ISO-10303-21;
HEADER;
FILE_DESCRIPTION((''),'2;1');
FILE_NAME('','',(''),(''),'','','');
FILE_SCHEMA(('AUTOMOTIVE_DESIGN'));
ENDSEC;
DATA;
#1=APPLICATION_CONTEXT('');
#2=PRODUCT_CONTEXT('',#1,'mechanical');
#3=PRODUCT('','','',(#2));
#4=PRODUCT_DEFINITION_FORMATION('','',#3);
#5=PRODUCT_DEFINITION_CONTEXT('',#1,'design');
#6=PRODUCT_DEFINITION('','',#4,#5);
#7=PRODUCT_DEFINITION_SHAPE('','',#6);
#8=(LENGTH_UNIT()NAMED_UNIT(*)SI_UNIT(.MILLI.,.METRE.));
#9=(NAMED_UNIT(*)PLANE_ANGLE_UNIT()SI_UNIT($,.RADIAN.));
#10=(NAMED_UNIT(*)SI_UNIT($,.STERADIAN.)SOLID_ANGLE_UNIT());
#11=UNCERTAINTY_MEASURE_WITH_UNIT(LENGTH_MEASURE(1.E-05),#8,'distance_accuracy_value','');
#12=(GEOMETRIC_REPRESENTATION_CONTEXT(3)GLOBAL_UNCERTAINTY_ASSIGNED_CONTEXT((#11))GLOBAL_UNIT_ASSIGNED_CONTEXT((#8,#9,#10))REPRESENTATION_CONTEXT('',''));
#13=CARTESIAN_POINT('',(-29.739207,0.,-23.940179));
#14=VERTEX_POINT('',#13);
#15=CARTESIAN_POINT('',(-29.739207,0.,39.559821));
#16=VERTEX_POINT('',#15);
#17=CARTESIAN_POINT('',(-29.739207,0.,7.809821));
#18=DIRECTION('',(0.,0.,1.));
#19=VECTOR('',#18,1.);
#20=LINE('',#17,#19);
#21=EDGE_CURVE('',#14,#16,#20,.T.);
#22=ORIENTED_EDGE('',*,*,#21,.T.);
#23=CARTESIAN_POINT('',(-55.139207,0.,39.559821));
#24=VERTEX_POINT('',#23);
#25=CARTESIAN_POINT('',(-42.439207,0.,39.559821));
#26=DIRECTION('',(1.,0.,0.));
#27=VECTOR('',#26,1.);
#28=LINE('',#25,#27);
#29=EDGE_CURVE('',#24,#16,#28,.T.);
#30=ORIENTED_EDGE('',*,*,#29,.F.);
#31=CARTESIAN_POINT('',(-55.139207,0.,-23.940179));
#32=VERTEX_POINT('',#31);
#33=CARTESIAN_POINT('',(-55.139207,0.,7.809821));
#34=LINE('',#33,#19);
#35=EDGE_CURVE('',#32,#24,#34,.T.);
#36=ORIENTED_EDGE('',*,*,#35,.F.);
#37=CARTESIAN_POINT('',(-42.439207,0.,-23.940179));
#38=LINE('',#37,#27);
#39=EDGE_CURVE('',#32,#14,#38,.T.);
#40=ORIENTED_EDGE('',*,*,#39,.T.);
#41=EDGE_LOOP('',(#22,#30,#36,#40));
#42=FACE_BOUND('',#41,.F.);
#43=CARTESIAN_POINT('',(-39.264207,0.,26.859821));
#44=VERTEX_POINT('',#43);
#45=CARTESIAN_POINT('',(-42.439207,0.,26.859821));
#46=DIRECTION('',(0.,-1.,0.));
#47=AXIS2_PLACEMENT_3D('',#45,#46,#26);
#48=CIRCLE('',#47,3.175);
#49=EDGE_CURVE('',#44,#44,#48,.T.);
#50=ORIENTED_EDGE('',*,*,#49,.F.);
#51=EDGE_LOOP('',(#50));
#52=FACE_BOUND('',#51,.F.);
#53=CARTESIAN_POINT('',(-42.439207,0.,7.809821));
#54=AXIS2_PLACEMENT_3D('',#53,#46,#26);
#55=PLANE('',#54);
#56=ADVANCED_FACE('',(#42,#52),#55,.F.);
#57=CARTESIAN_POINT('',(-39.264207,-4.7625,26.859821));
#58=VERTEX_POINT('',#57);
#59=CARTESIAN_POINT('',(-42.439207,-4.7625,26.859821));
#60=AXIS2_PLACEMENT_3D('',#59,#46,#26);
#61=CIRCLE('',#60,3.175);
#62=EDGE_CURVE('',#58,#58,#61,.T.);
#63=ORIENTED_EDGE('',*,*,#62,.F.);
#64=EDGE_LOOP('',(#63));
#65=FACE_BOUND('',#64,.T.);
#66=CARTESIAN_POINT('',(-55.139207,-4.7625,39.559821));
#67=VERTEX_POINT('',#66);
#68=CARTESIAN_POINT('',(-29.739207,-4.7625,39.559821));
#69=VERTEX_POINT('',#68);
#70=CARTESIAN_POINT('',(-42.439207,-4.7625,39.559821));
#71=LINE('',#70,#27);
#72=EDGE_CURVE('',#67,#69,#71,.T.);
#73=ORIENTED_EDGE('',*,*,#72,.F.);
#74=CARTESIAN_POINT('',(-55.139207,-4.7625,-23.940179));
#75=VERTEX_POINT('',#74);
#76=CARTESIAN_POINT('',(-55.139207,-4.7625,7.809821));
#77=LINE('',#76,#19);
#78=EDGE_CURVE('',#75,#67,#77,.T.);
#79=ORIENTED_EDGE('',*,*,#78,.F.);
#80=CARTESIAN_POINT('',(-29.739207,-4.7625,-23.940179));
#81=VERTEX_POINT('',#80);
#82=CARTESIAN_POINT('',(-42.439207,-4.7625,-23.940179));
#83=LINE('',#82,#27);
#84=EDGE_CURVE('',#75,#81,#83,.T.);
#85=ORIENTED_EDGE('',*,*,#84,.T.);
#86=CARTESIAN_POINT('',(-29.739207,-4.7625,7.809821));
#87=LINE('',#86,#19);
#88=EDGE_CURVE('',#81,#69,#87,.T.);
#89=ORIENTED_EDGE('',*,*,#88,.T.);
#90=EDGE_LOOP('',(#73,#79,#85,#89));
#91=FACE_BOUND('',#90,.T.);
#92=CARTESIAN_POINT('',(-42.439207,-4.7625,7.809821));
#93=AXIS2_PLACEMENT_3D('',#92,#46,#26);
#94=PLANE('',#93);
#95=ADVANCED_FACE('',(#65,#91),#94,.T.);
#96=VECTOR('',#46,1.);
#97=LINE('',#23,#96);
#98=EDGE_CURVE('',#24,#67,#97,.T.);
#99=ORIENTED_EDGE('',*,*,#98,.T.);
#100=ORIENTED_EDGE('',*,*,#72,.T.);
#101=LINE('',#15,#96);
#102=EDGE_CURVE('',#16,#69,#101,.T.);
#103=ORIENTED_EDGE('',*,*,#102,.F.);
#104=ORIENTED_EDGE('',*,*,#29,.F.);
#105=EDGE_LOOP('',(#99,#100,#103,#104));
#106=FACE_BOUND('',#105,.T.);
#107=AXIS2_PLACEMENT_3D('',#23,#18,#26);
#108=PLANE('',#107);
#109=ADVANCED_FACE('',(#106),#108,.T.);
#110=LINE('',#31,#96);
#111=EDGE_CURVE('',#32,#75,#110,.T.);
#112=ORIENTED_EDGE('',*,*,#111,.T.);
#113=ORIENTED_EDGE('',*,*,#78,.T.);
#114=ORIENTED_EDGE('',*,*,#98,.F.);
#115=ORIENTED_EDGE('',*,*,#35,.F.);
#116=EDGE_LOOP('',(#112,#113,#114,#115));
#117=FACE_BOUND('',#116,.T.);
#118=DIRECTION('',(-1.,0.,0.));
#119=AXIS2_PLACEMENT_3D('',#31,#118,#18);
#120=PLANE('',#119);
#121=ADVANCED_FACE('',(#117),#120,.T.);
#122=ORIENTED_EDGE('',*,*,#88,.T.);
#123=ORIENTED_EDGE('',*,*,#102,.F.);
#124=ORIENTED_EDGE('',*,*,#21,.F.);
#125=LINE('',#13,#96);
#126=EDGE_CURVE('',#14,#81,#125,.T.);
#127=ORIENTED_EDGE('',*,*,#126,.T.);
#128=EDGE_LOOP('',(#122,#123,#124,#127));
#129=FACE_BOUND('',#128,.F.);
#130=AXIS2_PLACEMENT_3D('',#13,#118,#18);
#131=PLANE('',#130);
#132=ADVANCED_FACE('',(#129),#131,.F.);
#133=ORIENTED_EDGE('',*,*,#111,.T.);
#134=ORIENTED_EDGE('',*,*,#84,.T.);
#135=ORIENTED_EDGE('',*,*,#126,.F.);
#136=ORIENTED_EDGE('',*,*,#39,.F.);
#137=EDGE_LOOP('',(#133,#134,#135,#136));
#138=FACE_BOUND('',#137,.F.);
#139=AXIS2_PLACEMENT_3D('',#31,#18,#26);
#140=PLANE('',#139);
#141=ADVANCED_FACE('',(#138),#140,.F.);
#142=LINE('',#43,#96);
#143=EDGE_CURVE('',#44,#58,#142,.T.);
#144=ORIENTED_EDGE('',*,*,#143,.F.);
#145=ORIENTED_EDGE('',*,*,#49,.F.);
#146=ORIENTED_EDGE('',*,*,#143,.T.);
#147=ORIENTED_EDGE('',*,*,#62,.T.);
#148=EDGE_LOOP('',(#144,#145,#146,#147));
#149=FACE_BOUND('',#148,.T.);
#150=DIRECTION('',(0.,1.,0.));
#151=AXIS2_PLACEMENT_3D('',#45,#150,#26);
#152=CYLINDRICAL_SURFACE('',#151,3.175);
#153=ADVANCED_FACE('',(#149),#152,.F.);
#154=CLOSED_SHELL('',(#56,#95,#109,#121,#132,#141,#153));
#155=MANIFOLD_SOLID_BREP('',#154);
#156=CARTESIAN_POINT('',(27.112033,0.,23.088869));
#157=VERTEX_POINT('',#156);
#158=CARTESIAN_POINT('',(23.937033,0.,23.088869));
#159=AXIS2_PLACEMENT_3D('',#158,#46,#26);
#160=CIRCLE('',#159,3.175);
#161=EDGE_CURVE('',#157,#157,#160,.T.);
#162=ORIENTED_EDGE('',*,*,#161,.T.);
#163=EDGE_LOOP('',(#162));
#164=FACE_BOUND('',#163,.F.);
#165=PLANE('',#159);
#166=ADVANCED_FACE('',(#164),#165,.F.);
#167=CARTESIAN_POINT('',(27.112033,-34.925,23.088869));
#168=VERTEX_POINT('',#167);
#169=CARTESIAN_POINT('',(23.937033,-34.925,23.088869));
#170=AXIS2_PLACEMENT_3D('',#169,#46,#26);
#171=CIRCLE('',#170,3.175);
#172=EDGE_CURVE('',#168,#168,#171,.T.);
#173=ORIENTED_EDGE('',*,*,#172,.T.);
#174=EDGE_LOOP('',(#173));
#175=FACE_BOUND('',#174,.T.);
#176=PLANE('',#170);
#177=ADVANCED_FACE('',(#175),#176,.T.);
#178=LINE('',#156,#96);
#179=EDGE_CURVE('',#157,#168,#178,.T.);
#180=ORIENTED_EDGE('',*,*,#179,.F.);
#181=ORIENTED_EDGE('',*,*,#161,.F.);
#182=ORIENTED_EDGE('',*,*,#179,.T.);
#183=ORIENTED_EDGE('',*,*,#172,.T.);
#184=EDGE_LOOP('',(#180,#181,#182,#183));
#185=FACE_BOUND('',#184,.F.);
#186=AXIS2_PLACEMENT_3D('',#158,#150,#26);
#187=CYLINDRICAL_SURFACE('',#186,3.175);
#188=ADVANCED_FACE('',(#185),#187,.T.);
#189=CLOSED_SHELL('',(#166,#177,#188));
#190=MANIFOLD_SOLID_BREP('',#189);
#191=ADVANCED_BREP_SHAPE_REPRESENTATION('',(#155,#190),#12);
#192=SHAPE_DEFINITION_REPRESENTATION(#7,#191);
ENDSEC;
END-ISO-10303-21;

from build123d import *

# Parameters (mm, degrees)
F0_W     = 25.4
F0_H     = 63.5
F0_R     = 3.175
F1_DEPTH = 4.7625
F2_R     = 3.175
F3_DEPTH = 34.925


with BuildPart() as f1:
    # F0 (on Front) → F1 (new body)
    with BuildSketch(Plane.XZ):
        with Locations((-42.439207, 7.809821)):
            Rectangle(F0_W, F0_H)
        with Locations((-42.439207, 26.859821)):
            Circle(F0_R, mode=Mode.SUBTRACT)
    extrude(amount=F1_DEPTH)


with BuildPart() as f3:
    # F2 (on Front) → F3 (new body)
    with BuildSketch(Plane.XZ):
        with Locations((23.937033, 23.088869)):
            Circle(F2_R)
    extrude(amount=F3_DEPTH)


solid = Compound([f1.part, f3.part])
